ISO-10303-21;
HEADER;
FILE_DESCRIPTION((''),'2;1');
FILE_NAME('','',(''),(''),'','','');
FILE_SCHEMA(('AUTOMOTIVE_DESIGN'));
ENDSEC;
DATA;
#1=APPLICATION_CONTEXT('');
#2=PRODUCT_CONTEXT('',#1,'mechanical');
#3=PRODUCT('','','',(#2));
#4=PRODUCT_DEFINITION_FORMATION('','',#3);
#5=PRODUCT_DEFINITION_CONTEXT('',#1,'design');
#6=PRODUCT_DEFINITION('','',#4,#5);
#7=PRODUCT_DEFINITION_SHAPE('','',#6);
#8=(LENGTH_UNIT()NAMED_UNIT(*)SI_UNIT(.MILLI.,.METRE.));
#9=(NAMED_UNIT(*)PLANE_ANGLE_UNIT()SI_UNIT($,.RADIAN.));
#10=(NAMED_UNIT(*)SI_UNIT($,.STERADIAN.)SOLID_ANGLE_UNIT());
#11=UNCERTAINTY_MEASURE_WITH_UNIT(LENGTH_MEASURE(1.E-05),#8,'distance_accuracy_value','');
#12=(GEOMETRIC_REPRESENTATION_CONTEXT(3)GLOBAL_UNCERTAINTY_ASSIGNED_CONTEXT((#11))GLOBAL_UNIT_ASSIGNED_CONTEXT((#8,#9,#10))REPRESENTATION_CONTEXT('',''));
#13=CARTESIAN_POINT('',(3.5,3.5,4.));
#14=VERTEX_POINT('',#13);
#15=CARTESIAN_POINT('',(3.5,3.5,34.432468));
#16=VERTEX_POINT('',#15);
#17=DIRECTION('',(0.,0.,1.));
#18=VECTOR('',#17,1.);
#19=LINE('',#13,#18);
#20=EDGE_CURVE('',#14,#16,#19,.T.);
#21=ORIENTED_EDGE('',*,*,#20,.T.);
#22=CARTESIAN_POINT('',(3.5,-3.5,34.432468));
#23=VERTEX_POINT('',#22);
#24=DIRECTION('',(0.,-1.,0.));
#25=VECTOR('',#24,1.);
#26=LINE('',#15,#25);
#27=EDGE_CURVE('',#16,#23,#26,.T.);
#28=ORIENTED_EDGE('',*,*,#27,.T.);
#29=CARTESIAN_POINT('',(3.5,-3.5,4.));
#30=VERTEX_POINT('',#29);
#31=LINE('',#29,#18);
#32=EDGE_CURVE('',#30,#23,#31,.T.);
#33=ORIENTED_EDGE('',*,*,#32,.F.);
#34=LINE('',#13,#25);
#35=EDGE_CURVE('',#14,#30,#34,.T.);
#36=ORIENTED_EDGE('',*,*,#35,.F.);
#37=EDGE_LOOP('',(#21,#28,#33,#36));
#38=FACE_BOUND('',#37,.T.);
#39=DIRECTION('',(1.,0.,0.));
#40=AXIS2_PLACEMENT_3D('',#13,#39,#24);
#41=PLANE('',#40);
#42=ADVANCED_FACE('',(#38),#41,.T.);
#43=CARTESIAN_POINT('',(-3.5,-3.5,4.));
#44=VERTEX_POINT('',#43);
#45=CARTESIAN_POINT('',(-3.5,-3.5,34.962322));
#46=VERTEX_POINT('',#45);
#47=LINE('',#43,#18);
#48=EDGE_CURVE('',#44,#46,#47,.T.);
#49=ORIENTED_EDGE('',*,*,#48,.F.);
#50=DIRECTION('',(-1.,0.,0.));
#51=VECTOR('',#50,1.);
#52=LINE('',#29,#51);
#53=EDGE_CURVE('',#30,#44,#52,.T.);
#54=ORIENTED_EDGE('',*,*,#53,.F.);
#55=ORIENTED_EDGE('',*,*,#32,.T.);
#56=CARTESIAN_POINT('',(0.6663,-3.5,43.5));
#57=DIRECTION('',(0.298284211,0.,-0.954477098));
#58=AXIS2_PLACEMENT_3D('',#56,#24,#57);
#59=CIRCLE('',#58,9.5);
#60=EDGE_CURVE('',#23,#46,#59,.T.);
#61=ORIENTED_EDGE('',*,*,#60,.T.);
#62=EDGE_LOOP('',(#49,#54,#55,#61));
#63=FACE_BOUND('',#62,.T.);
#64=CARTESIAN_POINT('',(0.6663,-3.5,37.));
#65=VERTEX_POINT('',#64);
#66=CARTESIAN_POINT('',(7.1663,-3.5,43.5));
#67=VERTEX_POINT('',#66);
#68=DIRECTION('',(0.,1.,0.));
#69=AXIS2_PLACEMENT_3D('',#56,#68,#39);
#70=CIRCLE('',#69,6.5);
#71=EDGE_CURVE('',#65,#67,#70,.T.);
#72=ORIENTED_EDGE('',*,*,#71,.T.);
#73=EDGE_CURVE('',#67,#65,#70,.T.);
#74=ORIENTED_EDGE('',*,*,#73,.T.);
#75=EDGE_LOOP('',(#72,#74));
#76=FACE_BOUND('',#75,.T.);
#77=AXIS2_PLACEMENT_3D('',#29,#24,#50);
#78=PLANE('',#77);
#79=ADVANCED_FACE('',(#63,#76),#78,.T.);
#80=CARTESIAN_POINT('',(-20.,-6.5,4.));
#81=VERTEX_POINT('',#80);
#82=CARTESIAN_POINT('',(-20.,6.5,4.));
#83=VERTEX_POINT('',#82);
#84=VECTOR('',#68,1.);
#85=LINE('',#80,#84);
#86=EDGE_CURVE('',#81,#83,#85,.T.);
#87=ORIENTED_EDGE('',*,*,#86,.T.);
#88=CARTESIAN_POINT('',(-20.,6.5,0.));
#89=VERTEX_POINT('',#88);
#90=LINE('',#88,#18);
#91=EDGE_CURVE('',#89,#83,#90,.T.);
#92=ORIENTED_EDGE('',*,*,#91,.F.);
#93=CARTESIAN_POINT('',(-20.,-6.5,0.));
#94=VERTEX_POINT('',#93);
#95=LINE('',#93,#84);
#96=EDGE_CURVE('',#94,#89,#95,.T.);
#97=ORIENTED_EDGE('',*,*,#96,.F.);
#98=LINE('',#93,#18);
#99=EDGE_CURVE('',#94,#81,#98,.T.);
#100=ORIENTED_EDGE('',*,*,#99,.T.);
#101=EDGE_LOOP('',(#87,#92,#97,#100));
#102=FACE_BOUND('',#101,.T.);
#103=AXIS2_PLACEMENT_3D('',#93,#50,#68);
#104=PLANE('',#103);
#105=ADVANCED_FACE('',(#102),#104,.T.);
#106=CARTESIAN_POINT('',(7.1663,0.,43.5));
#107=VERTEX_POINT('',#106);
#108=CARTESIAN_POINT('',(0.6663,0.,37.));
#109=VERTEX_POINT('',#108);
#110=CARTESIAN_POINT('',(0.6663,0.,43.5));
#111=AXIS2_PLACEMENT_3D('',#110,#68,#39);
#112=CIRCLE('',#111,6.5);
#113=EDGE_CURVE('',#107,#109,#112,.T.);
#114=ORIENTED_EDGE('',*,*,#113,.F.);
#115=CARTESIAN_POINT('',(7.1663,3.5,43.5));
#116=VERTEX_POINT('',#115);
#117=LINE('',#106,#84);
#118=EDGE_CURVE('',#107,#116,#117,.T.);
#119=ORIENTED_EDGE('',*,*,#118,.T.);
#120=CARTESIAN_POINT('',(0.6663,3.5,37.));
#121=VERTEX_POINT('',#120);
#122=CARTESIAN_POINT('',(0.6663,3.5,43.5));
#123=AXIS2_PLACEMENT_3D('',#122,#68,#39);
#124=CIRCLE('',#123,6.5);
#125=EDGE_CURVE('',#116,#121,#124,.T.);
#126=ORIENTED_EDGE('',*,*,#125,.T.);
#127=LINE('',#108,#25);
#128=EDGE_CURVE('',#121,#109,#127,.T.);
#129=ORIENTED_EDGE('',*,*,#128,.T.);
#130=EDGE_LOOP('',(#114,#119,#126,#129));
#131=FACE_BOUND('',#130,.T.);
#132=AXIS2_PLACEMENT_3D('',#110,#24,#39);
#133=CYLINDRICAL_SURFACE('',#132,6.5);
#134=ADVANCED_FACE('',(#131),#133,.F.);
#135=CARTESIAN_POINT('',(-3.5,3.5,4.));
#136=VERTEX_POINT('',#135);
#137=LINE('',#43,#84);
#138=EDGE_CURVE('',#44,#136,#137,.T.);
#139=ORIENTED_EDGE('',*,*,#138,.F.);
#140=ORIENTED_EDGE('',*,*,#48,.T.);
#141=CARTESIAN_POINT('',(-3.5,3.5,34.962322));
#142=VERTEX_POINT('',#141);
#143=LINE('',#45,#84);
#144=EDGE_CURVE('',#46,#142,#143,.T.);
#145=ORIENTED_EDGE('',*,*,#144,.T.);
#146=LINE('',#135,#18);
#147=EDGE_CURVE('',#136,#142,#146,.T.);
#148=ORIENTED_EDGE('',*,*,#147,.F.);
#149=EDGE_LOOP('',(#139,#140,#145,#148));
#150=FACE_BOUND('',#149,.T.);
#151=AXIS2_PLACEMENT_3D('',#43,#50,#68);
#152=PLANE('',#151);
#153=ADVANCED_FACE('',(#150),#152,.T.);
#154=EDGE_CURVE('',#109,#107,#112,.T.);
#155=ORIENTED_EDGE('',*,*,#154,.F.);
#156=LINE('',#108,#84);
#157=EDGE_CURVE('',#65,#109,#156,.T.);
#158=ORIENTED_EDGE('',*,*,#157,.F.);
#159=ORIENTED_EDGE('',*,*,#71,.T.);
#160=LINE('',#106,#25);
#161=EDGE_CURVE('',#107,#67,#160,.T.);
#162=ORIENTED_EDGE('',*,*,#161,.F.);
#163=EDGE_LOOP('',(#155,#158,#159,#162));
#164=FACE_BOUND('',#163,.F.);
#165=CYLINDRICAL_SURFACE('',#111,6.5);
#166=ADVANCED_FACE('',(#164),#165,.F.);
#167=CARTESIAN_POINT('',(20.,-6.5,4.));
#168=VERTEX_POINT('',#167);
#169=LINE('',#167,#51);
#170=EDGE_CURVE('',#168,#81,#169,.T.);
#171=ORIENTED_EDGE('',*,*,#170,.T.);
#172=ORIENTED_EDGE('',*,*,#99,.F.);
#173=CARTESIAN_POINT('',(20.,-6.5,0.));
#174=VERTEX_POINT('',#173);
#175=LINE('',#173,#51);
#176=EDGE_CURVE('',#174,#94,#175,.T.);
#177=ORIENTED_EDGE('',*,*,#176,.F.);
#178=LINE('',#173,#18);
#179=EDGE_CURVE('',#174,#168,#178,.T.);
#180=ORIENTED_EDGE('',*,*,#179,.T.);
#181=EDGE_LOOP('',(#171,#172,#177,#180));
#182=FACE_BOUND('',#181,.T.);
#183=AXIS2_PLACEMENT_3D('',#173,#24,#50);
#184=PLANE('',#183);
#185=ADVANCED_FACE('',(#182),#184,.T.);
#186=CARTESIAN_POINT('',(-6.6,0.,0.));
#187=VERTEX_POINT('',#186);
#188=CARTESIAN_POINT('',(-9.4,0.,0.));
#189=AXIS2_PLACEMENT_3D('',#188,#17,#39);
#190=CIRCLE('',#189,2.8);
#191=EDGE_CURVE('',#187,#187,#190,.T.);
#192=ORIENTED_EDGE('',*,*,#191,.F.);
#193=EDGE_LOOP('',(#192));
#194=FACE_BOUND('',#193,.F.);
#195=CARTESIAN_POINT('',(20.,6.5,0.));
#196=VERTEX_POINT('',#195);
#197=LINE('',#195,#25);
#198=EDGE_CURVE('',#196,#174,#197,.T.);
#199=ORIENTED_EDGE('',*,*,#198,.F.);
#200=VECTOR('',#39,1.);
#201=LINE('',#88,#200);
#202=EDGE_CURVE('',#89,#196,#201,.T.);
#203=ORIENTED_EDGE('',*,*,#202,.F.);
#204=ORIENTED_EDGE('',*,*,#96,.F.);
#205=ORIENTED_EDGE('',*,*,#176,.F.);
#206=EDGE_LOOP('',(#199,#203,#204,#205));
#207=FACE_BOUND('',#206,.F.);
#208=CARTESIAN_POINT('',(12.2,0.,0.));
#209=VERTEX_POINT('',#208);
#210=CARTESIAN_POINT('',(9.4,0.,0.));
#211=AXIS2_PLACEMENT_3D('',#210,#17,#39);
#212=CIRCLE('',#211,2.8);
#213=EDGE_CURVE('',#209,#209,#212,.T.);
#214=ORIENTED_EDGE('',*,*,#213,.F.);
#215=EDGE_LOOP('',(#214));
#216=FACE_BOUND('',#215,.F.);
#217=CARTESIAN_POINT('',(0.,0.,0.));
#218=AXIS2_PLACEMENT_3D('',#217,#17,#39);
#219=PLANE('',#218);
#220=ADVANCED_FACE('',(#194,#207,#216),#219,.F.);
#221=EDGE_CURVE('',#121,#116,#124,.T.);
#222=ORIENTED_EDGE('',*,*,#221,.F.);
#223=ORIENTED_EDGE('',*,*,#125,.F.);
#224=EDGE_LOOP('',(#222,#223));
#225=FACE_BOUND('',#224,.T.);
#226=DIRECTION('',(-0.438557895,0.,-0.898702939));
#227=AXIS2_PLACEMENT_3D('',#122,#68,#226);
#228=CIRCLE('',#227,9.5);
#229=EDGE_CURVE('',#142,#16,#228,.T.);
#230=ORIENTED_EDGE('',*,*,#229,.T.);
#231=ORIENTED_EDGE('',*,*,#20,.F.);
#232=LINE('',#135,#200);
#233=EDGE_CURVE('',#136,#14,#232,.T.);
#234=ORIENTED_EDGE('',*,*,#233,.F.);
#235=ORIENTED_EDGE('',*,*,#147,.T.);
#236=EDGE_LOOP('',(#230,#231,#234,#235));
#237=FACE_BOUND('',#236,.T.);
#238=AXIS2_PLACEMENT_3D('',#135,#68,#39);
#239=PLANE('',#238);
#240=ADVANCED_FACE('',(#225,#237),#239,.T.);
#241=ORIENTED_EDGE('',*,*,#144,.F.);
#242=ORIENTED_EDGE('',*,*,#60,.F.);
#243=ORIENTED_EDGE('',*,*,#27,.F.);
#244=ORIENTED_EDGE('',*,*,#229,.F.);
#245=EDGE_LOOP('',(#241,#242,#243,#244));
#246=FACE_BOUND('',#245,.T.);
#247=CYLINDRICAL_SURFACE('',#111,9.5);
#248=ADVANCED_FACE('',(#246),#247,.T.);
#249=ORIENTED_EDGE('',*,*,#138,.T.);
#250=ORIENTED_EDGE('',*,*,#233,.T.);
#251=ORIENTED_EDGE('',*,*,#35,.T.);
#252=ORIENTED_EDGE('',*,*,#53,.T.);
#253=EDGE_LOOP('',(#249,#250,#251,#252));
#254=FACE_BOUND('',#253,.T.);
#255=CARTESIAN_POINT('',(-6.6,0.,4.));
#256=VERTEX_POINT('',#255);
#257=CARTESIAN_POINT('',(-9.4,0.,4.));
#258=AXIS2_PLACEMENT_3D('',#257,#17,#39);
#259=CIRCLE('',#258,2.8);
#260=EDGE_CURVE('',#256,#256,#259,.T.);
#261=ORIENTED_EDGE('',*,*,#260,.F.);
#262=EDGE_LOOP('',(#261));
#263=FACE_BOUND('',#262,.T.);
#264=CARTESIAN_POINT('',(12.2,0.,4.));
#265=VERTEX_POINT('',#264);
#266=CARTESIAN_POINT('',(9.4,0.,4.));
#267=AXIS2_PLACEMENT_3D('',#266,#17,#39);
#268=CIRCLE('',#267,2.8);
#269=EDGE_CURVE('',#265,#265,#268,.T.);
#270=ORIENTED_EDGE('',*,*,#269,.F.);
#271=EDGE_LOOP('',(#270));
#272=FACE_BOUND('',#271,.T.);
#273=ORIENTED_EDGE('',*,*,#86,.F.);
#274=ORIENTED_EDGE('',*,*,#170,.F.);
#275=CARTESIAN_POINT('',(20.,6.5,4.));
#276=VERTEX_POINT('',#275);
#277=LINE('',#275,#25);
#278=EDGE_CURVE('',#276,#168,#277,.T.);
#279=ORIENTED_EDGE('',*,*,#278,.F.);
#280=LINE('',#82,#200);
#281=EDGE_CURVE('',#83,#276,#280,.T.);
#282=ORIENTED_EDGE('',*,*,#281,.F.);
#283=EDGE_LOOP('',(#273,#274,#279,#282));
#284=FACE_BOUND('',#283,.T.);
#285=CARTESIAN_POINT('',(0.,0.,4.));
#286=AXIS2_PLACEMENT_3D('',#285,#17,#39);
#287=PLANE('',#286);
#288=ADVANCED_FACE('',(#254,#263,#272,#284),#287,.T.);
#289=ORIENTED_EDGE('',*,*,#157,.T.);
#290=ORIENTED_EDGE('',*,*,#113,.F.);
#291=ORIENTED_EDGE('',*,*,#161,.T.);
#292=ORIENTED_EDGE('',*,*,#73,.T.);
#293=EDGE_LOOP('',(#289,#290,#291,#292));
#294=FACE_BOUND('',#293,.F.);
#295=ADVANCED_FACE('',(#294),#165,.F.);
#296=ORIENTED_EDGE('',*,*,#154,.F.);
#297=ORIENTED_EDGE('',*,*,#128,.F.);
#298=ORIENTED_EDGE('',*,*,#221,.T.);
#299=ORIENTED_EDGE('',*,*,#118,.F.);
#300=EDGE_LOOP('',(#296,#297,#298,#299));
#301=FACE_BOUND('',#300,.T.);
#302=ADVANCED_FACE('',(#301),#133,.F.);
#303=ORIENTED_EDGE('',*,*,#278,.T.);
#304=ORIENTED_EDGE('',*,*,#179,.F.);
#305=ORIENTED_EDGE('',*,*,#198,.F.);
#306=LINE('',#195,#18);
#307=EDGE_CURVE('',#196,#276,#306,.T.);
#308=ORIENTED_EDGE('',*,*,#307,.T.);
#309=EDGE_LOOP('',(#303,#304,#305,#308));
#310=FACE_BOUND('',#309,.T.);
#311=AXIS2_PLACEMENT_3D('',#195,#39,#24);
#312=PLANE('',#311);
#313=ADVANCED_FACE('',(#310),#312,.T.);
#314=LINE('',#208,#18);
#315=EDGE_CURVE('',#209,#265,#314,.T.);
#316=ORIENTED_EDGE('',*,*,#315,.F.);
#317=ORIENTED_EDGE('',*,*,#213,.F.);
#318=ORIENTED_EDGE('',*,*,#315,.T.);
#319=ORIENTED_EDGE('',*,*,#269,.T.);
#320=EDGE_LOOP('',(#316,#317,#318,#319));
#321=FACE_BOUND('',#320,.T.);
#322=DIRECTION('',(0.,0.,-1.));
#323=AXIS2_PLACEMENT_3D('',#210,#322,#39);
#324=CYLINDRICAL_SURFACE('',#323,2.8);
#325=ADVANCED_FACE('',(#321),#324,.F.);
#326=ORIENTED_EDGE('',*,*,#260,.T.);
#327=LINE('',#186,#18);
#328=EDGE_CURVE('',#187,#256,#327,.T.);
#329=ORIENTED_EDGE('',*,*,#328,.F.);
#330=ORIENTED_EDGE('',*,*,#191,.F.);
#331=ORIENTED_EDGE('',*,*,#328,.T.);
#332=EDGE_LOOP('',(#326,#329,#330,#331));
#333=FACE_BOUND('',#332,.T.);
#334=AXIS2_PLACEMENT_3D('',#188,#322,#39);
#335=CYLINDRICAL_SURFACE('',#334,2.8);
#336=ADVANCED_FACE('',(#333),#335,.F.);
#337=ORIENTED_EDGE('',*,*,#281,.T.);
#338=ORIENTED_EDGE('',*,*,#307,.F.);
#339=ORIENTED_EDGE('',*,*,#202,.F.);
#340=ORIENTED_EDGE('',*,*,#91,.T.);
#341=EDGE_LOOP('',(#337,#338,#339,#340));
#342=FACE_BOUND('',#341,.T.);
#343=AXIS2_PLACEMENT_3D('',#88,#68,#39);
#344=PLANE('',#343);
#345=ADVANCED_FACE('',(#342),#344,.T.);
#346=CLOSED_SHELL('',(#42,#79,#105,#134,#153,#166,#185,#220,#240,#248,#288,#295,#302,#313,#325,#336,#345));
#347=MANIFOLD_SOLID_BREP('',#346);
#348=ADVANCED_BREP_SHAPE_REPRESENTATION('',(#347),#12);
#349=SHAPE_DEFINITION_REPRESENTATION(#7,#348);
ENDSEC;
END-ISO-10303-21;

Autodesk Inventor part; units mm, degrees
ref_plane "YZ Plane" through (0, 0, 0) normal (1, 0, 0) x (0, 1, 0)
ref_plane "XZ Plane" through (0, 0, 0) normal (0, 1, 0) x (-1, 0, 0)
sketch "草圖1" plane through (0, 0, 0) normal (0, 0, 1) x (1, 0, 0)
  line L0 (-20, 6.5) -> (20, 6.5)
  line L1 (20, 6.5) -> (20, -6.5)
  line L2 (20, -6.5) -> (-20, -6.5)
  line L3 (-20, -6.5) -> (-20, 6.5)
  line L4 (-20, 6.5) -> (20, -6.5) construction
  line L5 (20, 6.5) -> (-20, -6.5) construction
  circle A0 centre (-9.4, 0) radius 2.8
  circle A1 centre (9.4, 0) radius 2.8
  point P0 (0, 0)
  dimension "d0" = 40
  dimension "d1" = 13
  dimension "d2" = 5.6
  dimension "d3" = 5.6
extrude "擠出1" add sketch "草圖1" along normal blind 4
sketch "草圖3" plane through (0, 0, 4) normal (0, 0, 1) x (1, 0, 0)
  line L0 (3.5, -3.5) -> (-3.5, -3.5)
  line L1 (-3.5, -3.5) -> (-3.5, 3.5)
  line L2 (-3.5, 3.5) -> (3.5, 3.5)
  line L3 (3.5, 3.5) -> (3.5, -3.5)
  line L4 (3.5, -3.5) -> (-3.5, 3.5) construction
  line L5 (-3.5, -3.5) -> (3.5, 3.5) construction
  point P0 (0, 0)
  dimension "d8" = 7
  dimension "d9" = 7
extrude "擠出2" add sketch "草圖3" along normal blind 33
ref_plane "工作平面2" through (-3.5, 0, 4) normal (0, 1, 0) x (1, 0, 0)
sketch "草圖4" plane through (-3.5, 0, 4) normal (0, 1, 0) x (1, 0, 0)
  circle A0 centre (4.1663, -39.5) radius 9.5
  circle A1 centre (4.1663, -39.5) radius 6.5
  dimension "d14" = 19
  dimension "d15" = 13
extrude "擠出3" add sketch "草圖4" along normal mid plane 7
properties part number "T字形固定件"
